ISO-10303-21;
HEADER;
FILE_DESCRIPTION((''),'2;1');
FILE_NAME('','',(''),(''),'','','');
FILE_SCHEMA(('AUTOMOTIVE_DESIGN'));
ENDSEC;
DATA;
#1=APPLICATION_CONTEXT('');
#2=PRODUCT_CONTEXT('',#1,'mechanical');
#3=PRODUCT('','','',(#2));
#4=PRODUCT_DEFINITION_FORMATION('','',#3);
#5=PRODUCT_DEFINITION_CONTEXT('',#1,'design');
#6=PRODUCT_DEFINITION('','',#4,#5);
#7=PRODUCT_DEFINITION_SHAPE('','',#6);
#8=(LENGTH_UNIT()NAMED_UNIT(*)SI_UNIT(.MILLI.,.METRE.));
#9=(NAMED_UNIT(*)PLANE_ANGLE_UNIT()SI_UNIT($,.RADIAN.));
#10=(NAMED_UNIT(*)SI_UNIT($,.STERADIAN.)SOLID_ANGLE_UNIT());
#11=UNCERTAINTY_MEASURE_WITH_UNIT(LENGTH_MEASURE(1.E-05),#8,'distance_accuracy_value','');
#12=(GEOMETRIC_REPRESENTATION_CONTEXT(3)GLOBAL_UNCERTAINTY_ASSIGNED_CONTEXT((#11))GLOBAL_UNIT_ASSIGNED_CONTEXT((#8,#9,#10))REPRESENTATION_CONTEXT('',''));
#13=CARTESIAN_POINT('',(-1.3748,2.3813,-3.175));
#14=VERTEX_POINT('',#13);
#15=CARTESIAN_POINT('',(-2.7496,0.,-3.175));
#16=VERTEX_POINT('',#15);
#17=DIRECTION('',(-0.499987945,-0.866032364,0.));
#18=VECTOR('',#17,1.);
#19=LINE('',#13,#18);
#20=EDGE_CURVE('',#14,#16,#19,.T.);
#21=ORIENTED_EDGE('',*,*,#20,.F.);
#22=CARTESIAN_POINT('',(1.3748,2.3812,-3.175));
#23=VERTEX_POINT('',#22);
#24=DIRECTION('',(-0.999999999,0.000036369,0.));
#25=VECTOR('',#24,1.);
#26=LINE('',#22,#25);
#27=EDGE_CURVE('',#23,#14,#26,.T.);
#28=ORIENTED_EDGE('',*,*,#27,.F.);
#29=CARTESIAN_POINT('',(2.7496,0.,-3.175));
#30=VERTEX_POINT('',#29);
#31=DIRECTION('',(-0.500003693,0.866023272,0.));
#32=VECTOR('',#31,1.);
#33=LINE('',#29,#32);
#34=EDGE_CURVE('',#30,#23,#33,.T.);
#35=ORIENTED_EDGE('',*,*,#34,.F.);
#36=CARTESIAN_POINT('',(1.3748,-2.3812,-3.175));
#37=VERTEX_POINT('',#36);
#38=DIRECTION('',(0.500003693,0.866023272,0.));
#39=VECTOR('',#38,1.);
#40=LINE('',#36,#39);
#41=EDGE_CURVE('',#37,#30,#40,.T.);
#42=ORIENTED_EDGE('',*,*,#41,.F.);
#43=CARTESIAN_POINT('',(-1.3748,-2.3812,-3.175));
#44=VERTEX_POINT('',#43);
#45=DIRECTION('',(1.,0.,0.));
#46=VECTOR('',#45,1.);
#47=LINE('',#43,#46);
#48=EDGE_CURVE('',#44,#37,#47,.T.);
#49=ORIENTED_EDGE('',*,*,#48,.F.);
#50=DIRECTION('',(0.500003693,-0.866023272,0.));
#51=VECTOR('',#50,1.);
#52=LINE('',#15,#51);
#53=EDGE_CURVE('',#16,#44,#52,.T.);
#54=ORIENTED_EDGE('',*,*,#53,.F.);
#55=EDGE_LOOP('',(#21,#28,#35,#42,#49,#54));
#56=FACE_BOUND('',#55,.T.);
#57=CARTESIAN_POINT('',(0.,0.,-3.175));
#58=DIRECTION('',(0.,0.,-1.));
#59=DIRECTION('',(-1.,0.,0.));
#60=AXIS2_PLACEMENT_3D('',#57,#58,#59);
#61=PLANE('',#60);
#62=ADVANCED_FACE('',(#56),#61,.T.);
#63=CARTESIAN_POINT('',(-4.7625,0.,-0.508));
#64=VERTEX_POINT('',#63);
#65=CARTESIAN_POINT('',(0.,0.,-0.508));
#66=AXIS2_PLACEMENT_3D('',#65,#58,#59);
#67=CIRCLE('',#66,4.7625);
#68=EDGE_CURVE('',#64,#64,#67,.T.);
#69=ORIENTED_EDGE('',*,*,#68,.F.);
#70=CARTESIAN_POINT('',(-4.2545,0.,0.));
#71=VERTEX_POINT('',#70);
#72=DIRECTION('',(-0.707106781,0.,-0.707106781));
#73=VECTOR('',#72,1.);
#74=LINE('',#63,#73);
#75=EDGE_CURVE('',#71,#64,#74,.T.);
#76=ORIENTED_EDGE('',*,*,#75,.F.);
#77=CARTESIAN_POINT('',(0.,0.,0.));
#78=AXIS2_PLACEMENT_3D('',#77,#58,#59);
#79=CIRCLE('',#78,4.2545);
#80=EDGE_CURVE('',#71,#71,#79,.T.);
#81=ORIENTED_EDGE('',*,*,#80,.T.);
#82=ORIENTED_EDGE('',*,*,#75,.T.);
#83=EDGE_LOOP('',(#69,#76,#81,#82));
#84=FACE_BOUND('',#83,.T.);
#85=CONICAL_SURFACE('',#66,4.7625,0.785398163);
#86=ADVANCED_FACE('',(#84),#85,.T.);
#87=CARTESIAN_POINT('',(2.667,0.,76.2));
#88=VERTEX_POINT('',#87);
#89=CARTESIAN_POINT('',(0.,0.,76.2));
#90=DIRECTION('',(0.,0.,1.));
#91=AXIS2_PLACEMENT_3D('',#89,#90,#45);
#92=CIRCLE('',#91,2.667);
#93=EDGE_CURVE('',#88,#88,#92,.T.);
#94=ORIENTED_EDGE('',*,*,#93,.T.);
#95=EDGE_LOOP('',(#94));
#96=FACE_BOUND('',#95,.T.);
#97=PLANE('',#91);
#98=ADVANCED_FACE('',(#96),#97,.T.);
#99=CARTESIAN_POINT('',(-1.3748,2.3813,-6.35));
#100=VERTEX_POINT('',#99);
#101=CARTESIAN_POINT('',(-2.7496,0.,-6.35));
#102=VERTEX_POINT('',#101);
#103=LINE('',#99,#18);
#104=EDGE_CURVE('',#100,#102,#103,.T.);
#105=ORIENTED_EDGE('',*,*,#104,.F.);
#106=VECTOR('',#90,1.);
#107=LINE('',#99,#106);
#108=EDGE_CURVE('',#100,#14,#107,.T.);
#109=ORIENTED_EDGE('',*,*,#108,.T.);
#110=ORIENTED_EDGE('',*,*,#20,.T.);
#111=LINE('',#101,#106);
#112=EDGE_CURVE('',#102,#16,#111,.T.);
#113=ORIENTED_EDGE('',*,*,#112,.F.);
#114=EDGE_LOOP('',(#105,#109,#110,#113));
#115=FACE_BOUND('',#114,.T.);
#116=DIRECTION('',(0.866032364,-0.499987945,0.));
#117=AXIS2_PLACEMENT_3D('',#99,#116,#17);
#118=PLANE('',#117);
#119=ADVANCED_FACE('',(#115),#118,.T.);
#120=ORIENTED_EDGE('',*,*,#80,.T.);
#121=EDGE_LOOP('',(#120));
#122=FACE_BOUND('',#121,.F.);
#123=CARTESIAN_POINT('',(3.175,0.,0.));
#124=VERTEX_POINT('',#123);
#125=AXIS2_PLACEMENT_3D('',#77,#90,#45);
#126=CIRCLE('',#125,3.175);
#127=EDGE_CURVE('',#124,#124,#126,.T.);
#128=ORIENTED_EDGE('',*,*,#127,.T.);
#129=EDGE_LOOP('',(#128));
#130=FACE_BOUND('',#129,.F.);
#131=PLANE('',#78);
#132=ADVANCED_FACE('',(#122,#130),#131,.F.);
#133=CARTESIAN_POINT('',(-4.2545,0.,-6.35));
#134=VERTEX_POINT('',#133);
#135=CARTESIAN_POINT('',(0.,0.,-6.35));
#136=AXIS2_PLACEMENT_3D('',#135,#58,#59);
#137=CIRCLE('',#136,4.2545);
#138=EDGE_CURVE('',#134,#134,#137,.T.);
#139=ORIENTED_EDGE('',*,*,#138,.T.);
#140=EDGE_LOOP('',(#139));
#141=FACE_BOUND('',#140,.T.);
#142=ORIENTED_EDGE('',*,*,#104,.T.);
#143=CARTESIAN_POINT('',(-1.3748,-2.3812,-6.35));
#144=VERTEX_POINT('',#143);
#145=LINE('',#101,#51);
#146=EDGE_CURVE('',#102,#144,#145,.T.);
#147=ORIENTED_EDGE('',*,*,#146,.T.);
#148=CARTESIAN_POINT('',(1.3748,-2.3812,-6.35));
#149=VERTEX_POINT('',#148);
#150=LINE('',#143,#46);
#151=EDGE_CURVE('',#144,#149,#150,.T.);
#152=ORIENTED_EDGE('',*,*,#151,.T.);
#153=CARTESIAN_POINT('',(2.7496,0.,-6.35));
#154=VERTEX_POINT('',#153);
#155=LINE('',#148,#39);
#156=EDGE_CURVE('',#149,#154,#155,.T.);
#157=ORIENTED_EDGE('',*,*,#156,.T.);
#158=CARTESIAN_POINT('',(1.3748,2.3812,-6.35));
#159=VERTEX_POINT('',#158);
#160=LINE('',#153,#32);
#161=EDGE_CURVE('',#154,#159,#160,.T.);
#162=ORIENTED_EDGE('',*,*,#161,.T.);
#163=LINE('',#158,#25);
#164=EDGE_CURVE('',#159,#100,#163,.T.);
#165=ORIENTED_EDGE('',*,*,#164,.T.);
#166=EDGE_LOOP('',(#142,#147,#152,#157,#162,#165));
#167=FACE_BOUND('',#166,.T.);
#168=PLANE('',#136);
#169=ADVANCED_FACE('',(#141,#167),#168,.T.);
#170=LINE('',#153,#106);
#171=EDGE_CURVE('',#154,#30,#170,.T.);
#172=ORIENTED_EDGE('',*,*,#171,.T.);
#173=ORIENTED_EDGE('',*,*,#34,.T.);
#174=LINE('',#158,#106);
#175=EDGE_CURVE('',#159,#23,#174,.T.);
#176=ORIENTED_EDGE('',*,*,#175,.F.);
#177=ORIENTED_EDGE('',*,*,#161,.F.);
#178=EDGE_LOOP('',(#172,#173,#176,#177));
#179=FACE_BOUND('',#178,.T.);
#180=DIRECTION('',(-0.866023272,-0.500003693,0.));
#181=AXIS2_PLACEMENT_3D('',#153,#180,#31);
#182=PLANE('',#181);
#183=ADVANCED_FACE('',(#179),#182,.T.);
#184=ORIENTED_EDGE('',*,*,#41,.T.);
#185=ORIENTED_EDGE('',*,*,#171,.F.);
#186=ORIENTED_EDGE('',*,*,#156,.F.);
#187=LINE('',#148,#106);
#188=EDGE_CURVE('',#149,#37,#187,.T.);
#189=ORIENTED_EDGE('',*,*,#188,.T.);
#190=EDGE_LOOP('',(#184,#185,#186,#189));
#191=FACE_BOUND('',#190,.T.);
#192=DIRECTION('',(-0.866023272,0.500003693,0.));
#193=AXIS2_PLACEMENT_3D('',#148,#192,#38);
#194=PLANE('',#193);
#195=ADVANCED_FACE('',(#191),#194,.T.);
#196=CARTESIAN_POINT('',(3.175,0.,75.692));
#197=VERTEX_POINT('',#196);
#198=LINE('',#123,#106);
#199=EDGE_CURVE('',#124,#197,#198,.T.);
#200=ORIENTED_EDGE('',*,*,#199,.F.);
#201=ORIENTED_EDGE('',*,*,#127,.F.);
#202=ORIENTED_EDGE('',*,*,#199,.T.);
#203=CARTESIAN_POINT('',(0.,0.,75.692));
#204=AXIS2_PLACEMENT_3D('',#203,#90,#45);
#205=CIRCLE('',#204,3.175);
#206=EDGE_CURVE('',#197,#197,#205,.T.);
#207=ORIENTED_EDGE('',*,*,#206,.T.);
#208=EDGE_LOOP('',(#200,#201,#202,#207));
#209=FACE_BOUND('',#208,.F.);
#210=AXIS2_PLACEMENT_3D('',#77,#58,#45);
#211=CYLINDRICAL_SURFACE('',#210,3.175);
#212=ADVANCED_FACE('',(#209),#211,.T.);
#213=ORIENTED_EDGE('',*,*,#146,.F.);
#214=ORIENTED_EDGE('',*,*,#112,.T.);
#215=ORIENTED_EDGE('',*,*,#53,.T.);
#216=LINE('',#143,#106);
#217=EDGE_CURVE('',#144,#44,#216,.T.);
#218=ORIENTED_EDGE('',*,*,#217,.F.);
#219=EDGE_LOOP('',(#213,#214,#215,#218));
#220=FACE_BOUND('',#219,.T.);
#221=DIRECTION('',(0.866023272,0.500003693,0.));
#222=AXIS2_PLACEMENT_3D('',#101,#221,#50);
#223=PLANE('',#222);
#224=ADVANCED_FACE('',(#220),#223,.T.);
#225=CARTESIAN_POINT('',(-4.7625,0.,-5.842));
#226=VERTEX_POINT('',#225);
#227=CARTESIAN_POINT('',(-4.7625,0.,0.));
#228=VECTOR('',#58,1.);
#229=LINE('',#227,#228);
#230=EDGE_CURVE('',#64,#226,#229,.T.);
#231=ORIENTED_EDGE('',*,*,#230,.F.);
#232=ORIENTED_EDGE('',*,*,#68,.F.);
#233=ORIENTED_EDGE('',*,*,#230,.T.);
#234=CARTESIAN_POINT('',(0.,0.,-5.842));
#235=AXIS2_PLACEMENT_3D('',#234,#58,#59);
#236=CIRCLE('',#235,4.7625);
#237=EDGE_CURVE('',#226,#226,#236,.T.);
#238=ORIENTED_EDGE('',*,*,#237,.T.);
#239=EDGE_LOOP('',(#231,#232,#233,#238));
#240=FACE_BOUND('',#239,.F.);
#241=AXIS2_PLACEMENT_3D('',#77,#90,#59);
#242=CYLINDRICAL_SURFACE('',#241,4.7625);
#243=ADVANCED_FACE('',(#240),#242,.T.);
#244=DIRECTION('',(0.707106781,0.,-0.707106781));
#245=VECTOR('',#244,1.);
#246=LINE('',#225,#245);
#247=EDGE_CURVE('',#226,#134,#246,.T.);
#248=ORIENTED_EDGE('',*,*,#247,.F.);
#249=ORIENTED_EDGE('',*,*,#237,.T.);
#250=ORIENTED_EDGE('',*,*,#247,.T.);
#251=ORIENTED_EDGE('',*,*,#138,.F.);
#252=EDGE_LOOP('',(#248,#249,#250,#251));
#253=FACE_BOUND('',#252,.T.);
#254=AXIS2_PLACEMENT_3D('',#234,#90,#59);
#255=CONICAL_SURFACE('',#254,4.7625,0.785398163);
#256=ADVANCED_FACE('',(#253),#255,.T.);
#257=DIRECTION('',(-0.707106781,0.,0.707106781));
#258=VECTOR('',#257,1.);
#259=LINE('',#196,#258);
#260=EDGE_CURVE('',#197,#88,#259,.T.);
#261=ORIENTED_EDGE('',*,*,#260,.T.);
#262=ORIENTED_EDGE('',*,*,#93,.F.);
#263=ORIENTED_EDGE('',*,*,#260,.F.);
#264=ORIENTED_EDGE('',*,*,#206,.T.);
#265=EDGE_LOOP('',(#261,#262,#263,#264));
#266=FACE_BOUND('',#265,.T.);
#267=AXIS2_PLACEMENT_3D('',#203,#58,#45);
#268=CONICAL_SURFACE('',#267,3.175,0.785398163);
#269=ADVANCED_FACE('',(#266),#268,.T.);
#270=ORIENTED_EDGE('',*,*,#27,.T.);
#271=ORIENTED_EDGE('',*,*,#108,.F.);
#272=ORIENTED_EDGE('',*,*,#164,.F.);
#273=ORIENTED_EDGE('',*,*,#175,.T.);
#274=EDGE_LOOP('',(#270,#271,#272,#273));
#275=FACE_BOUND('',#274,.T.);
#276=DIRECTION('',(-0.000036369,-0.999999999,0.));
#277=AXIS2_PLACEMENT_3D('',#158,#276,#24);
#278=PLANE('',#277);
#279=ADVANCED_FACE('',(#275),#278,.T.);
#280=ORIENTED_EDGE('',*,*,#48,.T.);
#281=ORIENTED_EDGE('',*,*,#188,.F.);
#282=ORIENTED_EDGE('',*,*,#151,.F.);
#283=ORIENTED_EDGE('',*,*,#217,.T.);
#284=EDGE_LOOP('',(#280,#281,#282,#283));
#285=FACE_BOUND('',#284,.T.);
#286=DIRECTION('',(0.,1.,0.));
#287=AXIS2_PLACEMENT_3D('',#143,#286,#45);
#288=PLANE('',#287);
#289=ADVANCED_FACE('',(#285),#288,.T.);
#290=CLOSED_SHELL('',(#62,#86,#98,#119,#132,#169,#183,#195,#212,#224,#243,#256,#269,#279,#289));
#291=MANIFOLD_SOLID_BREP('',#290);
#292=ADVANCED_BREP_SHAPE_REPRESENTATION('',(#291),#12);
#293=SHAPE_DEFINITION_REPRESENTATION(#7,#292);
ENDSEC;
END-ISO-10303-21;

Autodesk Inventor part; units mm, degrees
ref_plane "YZ Plane" through (0, 0, 0) normal (1, 0, 0) x (0, 1, 0)
ref_plane "XZ Plane" through (0, 0, 0) normal (0, 1, 0) x (-1, 0, 0)
ref_plane "XY Plane" through (0, 0, 0) normal (0, 0, 1) x (1, 0, 0)
sketch "Sketch1" plane through (0, 0, 0) normal (0, 0, 1) x (1, 0, 0)
  circle A0 centre (0, 0) radius 3.175
  dimension "d0" = 6.35
extrude "Extrusion1" add sketch "Sketch1" along normal blind 76.2
sketch "Sketch2" plane through (0, 0, 0) normal (0, 0, -1) x (-1, 0, 0)
  circle A0 centre (0, 0) radius 3.175 projected
  circle A1 centre (0, 0) radius 4.7625
  dimension "d3" = 9.525
extrude "Extrusion2" add sketch "Sketch2" along normal blind 6.35 contours A0 | A1
sketch "Sketch3" plane through (0, 0, -6.35) normal (0, 0, -1) x (-1, 0, 0)
  circle A0 centre (0, 0) radius 4.7625 projected
  line L0 (-1.3748, 2.3812) -> (1.3748, 2.3813)
  line L1 (1.3748, 2.3813) -> (2.7496, 0)
  line L2 (2.7496, 0) -> (1.3748, -2.3812)
  line L3 (1.3748, -2.3812) -> (-1.3748, -2.3812)
  line L4 (-1.3748, -2.3812) -> (-2.7496, 0)
  line L5 (-2.7496, 0) -> (-1.3748, 2.3812)
  dimension "d6" = 4.7625
extrude "Extrusion3" cut sketch "Sketch3" against normal blind 3.175 contours L0 L1 L2 L3 L4 L5
chamfer "Chamfer1" distance 0.508 angle 45 3 edges at (-3.175, 0, 76.2) (4.7625, 0, 0) (4.7625, 0, -6.35)
thread "Thread1" size "1/4-20 UNC" class "2A" standard "ANSI Unified Screw Threads" length 25.4
properties part number "14-20 x750" material "Steel"
